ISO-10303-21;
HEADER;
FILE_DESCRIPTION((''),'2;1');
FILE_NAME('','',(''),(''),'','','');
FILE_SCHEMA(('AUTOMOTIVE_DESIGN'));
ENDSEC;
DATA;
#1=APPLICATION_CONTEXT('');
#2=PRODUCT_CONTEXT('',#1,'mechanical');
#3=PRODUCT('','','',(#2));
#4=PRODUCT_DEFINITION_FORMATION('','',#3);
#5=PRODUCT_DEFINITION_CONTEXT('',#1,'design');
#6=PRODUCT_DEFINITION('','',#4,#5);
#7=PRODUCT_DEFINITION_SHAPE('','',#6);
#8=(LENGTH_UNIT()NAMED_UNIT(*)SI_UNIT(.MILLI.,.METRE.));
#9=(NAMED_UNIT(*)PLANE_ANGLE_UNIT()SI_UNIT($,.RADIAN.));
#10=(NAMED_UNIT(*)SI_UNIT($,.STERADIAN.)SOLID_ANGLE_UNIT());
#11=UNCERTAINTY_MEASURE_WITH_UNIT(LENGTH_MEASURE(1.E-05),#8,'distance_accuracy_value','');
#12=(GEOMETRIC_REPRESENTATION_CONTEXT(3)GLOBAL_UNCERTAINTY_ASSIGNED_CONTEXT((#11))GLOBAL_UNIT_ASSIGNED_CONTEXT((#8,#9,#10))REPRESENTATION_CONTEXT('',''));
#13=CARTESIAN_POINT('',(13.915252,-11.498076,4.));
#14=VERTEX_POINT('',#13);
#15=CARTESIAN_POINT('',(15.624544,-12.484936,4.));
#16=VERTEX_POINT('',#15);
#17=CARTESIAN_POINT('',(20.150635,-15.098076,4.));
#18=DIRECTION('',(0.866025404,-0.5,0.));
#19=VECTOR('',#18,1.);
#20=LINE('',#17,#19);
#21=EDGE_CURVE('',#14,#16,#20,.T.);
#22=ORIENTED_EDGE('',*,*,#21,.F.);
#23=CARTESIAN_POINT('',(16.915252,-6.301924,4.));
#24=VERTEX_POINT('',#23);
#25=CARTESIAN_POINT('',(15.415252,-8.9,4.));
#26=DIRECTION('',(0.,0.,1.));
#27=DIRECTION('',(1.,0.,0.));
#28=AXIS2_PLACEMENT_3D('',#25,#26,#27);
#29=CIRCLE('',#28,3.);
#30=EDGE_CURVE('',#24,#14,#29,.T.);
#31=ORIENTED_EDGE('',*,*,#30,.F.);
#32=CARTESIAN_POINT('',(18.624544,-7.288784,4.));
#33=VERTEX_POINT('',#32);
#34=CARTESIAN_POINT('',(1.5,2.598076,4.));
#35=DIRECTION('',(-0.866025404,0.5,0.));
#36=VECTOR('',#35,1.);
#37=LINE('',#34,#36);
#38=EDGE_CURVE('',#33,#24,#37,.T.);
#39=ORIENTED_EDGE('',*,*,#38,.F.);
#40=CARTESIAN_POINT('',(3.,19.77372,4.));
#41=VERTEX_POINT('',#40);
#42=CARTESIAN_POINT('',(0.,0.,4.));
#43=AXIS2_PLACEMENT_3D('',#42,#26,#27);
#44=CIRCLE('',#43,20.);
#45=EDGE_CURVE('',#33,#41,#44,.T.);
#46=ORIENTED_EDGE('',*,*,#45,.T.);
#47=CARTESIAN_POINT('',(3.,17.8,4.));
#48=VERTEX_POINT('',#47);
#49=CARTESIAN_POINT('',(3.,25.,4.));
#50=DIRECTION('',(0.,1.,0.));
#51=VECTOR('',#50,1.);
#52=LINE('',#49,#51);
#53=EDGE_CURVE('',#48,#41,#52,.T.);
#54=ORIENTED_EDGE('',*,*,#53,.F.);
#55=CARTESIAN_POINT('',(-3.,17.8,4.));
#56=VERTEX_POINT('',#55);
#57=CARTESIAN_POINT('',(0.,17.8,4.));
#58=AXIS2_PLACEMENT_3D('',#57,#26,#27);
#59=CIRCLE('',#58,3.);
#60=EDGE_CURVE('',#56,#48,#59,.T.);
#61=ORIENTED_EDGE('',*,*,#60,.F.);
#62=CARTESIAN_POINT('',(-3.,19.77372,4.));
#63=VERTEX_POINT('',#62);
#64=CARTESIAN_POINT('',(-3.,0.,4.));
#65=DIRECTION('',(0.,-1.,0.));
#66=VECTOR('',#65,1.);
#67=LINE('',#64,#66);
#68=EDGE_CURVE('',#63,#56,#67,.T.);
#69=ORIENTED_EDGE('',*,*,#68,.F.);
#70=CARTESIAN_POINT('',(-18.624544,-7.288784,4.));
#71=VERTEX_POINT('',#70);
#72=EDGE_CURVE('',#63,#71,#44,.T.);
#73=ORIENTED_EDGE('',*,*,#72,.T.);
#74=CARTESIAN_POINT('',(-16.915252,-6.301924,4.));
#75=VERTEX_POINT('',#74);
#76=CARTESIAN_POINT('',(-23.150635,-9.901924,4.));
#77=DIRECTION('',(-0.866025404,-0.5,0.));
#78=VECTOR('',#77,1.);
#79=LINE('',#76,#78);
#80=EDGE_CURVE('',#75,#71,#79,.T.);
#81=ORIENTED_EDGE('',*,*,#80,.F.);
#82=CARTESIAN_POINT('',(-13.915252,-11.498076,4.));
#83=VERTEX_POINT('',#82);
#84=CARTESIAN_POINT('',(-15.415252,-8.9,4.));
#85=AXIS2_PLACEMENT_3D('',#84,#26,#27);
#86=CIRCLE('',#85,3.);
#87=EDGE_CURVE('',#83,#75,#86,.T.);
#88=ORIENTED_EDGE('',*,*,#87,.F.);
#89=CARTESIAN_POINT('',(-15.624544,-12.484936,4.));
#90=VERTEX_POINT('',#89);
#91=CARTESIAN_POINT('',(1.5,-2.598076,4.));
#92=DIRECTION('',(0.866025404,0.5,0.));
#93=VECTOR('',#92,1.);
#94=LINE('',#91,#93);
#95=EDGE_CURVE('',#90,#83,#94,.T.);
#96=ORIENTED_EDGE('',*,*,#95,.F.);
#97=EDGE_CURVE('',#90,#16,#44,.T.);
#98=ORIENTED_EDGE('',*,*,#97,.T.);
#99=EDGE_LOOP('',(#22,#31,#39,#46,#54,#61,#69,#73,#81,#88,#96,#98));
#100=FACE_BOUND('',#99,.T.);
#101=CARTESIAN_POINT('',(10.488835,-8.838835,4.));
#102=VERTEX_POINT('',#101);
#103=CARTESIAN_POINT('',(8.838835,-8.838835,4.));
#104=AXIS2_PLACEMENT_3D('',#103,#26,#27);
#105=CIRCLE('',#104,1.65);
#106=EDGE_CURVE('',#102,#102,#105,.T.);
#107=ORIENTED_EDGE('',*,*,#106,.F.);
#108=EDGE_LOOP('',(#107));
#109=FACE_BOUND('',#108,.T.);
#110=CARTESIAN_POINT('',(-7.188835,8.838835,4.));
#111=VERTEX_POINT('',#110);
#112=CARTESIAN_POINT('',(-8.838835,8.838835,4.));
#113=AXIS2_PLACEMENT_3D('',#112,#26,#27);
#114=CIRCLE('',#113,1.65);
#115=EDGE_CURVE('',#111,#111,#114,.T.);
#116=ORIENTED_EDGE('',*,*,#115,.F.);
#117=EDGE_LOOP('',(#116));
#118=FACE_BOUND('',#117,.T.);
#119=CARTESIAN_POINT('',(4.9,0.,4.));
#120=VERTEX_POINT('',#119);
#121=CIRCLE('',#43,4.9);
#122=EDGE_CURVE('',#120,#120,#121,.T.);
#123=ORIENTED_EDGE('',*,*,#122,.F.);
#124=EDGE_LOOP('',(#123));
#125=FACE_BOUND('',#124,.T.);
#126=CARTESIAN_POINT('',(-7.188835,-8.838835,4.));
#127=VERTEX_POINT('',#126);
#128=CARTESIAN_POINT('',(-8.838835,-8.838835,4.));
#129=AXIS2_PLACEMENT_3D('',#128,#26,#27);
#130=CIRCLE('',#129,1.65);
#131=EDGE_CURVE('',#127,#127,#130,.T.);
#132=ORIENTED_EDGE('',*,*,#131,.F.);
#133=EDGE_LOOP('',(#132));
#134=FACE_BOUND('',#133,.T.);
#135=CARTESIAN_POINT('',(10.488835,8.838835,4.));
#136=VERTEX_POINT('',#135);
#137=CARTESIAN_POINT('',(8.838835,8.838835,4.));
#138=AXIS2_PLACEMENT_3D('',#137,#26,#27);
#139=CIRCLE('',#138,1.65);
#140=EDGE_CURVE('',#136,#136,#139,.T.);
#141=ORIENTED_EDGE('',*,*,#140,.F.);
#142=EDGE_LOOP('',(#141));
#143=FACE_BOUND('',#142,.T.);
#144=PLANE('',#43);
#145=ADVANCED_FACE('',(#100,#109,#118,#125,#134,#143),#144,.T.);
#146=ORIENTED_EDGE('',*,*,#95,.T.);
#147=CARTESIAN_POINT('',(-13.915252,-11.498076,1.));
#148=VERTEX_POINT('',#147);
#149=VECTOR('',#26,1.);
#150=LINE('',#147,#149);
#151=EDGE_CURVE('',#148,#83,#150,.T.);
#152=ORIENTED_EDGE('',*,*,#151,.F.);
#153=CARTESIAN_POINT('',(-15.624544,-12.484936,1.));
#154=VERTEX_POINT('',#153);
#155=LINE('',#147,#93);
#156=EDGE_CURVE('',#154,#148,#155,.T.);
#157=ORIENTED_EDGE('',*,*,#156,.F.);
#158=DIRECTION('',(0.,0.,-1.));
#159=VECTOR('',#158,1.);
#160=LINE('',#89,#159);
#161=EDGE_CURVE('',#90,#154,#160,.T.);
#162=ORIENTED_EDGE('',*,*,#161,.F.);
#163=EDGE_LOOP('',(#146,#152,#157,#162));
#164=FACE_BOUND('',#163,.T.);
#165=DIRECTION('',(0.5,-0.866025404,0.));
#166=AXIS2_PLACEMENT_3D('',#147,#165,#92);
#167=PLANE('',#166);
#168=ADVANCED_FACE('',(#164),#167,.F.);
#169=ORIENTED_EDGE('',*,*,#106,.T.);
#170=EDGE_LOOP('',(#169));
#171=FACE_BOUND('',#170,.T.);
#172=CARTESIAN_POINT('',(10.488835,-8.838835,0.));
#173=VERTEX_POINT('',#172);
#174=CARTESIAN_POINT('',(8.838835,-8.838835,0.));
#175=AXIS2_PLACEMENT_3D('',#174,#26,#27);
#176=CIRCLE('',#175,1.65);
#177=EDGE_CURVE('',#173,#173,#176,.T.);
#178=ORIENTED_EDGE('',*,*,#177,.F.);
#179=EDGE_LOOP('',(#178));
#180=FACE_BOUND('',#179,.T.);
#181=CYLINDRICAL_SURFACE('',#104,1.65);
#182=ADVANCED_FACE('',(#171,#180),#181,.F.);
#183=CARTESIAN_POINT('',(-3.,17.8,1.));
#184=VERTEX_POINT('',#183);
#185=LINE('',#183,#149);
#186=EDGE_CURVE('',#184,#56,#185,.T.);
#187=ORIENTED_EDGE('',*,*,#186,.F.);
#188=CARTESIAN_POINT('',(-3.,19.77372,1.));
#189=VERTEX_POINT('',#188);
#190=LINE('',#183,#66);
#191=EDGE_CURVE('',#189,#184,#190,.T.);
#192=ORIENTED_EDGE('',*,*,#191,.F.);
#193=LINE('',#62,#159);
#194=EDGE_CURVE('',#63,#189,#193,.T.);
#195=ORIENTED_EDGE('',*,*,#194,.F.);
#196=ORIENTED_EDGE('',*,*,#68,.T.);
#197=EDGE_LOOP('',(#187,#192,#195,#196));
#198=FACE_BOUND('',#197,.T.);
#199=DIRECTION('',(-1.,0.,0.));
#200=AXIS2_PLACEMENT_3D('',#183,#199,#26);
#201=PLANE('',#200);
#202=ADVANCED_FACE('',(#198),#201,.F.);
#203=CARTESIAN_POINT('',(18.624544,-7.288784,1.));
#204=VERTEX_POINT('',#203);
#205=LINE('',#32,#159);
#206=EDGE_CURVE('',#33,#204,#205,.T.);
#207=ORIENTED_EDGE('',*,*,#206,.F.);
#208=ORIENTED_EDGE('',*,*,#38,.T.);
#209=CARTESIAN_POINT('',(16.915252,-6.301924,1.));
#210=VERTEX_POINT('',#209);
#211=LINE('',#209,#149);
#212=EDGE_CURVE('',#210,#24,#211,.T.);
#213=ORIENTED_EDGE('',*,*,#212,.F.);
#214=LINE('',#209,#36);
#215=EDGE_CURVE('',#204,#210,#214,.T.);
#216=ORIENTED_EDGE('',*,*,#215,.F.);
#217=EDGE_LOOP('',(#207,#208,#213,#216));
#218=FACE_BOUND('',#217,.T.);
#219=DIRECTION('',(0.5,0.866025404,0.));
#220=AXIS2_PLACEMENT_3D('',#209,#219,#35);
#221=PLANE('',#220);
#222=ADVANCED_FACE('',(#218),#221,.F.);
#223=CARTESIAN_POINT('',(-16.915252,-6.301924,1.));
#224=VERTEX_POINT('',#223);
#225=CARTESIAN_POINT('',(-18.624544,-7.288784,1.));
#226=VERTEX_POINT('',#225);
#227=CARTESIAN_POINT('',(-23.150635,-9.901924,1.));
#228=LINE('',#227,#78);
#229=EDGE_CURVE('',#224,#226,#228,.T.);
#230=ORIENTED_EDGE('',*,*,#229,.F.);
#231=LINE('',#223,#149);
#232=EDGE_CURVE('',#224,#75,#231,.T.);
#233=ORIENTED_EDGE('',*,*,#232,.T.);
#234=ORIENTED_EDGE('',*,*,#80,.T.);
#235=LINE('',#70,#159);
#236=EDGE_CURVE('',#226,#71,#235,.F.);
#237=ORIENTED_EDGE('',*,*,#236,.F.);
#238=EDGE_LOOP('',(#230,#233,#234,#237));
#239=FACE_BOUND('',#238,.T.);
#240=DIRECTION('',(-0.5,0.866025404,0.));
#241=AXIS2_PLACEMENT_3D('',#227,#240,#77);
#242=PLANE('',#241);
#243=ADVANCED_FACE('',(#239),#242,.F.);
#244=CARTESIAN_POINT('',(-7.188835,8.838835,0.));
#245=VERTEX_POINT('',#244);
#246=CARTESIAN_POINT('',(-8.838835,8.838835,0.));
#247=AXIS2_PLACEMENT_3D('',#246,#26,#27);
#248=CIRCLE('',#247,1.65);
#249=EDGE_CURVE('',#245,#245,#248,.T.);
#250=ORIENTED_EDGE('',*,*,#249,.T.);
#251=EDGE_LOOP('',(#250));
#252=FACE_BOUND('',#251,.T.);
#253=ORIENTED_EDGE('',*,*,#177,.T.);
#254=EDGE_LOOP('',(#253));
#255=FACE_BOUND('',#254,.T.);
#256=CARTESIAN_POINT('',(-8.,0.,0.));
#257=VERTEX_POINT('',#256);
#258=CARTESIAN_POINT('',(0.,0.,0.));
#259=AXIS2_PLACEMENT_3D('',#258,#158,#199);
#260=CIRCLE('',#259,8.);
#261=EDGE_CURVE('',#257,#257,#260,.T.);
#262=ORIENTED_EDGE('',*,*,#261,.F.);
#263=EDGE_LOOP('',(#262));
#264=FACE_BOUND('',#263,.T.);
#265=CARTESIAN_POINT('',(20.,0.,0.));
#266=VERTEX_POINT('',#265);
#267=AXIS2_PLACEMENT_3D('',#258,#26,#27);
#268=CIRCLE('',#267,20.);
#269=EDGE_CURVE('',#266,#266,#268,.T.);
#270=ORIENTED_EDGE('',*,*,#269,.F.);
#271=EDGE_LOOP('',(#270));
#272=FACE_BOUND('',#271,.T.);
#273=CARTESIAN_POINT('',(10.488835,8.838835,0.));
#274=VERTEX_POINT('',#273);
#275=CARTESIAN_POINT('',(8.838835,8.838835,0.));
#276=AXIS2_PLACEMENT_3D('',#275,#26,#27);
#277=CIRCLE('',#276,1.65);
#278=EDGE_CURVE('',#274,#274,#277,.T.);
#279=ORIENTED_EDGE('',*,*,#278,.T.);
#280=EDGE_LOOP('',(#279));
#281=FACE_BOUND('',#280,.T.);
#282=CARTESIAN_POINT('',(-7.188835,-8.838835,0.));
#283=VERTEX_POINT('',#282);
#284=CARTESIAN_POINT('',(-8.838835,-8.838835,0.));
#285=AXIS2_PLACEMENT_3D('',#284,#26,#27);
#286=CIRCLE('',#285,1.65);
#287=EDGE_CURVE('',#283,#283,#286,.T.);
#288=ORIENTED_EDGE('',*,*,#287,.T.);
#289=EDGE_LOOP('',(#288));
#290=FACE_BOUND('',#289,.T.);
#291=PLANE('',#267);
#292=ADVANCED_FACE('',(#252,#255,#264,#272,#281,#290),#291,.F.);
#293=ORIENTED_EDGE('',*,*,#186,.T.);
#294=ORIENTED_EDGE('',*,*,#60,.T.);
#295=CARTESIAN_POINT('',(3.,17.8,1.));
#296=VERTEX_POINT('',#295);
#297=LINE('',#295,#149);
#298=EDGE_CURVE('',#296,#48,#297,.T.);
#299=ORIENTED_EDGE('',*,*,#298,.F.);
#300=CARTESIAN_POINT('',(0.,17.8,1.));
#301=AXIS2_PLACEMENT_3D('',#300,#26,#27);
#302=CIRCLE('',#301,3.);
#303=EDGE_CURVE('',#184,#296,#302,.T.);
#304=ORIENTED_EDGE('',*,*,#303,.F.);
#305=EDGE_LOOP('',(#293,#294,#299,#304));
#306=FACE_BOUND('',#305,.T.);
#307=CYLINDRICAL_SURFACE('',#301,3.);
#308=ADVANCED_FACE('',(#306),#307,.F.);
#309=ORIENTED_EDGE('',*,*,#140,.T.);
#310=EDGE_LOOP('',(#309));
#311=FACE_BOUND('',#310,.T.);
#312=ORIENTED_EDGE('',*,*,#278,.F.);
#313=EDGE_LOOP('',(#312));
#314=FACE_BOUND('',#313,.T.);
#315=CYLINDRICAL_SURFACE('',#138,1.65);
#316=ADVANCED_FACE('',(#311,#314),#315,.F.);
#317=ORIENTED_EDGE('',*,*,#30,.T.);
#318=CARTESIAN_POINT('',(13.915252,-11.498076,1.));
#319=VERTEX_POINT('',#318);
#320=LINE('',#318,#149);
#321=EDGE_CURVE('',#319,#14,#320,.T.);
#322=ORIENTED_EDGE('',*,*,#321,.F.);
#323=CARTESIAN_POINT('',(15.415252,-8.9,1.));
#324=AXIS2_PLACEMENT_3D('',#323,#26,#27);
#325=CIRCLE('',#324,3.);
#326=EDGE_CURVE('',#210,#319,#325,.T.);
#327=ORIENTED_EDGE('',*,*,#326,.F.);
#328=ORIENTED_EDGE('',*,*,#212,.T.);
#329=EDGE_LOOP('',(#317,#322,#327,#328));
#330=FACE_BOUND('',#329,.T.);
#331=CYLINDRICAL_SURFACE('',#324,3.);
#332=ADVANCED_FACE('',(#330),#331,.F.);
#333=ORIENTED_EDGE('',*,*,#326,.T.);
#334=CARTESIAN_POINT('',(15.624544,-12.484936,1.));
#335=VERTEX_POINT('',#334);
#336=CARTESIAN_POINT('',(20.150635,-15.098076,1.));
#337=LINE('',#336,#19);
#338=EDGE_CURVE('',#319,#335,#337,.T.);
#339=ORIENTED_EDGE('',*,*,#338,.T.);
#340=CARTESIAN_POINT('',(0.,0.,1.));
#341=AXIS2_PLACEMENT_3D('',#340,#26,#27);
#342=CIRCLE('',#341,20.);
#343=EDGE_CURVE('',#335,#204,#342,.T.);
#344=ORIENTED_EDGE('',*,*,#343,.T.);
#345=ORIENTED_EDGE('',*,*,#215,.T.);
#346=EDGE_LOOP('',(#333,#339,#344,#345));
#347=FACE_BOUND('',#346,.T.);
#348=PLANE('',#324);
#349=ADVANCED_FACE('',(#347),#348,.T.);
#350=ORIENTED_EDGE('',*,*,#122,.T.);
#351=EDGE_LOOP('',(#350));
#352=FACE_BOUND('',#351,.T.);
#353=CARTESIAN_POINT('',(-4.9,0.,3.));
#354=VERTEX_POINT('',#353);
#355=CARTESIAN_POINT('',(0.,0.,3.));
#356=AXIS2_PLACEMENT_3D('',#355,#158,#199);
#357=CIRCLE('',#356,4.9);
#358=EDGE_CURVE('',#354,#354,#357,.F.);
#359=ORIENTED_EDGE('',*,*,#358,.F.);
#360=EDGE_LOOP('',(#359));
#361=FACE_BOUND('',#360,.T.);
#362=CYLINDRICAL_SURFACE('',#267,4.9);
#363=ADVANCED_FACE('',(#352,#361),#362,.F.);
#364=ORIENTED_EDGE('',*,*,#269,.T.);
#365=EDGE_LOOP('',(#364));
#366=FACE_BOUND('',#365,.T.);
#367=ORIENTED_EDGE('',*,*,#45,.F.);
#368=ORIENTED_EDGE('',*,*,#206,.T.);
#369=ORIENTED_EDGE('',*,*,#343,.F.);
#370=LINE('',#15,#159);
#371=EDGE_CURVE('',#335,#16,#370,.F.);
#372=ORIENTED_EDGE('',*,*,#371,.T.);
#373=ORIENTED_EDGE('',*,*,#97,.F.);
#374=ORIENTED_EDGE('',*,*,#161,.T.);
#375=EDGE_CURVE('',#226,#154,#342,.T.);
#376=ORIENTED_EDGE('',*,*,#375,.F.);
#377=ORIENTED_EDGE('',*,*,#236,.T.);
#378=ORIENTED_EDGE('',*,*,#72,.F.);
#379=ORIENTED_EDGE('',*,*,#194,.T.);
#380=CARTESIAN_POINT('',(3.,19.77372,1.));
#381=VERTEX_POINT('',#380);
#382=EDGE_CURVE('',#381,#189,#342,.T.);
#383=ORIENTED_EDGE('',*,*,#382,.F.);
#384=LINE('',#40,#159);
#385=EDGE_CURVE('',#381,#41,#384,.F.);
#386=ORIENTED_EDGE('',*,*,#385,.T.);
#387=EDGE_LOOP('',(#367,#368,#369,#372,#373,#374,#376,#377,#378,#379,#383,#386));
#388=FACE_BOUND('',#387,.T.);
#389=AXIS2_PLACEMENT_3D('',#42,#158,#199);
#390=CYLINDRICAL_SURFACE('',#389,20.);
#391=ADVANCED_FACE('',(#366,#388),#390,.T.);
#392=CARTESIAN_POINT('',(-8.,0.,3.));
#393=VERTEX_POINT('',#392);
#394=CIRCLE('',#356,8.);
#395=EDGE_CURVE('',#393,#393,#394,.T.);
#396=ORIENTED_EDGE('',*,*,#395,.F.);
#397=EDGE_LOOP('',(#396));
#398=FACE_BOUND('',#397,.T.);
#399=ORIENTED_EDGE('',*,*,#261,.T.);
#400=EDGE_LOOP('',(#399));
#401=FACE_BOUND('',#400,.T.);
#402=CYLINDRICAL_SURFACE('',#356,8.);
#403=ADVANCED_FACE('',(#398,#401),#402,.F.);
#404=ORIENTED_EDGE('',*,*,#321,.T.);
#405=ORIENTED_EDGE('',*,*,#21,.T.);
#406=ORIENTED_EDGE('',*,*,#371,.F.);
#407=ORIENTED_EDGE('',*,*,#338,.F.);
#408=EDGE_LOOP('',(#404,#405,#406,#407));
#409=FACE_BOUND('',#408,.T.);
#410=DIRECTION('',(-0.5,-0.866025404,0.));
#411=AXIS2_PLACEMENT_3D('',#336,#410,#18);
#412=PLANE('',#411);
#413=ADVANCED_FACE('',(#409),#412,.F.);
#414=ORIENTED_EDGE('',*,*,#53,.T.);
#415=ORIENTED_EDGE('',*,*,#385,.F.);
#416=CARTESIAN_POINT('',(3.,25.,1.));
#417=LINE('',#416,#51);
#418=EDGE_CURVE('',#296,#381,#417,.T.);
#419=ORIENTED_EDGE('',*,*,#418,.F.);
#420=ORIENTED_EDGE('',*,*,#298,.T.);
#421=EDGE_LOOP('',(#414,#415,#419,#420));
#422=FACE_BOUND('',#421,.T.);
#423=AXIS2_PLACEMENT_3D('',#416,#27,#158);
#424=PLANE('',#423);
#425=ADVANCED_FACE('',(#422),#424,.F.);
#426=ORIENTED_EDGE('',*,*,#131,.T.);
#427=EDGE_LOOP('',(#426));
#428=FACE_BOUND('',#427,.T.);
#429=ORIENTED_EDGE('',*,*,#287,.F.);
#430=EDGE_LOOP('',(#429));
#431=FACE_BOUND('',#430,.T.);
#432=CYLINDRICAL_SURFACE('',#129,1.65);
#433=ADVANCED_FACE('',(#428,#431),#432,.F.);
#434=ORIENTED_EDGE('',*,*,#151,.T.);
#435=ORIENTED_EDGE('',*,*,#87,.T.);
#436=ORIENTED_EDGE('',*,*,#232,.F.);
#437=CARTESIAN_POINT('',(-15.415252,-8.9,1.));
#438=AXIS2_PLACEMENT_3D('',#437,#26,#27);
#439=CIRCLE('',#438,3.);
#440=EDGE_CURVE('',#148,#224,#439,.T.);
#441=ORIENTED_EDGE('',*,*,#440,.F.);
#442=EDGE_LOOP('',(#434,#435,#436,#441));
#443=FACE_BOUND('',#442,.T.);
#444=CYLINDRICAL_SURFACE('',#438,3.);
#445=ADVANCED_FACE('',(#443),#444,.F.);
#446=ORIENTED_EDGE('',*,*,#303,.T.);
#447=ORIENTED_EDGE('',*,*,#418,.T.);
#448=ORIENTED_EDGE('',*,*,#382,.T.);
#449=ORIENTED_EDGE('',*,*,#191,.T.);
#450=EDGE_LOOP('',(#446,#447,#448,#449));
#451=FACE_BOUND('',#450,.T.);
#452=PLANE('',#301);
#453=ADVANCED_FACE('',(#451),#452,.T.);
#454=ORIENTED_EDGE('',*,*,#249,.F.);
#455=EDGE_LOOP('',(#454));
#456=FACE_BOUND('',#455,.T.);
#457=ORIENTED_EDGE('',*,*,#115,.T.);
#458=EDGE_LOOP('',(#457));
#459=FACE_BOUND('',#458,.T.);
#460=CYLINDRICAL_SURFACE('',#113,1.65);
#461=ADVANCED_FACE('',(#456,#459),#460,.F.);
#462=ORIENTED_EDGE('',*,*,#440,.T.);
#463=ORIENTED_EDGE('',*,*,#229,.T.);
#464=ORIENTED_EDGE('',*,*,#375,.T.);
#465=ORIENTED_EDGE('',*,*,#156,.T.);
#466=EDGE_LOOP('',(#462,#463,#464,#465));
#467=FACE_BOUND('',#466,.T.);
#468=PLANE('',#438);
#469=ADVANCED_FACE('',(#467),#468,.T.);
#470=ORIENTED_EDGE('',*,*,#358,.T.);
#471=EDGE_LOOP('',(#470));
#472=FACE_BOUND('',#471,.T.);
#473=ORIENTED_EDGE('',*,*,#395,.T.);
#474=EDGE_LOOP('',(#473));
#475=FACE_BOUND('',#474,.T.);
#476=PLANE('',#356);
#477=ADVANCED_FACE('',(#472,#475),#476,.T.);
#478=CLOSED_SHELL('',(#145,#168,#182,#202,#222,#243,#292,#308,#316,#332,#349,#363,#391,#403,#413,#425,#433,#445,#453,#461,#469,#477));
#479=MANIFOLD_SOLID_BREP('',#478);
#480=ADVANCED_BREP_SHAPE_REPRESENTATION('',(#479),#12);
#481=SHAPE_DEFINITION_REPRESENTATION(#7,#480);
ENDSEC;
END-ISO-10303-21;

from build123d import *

# Parameters (mm, degrees)
SKETCH1_R             = 20
BOSS_EXTRUDE1_DEPTH   = 4
CUT_EXTRUDE1_DEPTH    = 3
M4X0_7_TAPPED_HOLE1_D = 3.3
SKETCH5_R             = 4.9
CUT_EXTRUDE2_DEPTH    = 5
SKETCH6_R             = 8
CUT_EXTRUDE3_DEPTH    = 3


with BuildPart() as part:
    # Sketch1 → Boss-Extrude1 (new body)
    with BuildSketch(Plane.XY):
        Circle(SKETCH1_R)
    extrude(amount=BOSS_EXTRUDE1_DEPTH)

    # Sketch2 → Cut-Extrude1 (cut)
    with BuildSketch(Plane.XY.offset(4)):
        with BuildLine():
            Line((-3, 17.8), (-3, 25))
            Line((-3, 25), (3, 25))
            Line((3, 25), (3, 17.8))
            ThreePointArc((3, 17.8), (0, 14.8), (-3, 17.8))
        make_face()
        with BuildLine():
            Line((16.915252187, -6.301923789), (23.150635095, -9.901923789))
            Line((23.150635095, -9.901923789), (20.150635095, -15.098076211))
            Line((20.150635095, -15.098076211), (13.915252187, -11.498076211))
            ThreePointArc((13.915252187, -11.498076211), (12.817175976, -7.4), (16.915252187, -6.301923789))
        make_face()
        with BuildLine():
            Line((-13.915252187, -11.498076211), (-20.150635095, -15.098076211))
            Line((-20.150635095, -15.098076211), (-23.150635095, -9.901923789))
            Line((-23.150635095, -9.901923789), (-16.915252187, -6.301923789))
            ThreePointArc((-16.915252187, -6.301923789), (-12.817175976, -7.4), (-13.915252187, -11.498076211))
        make_face()
    extrude(amount=-CUT_EXTRUDE1_DEPTH, mode=Mode.SUBTRACT)

    # M4x0.7 Tapped Hole1 (through all)
    with Locations(Plane.XY.offset(4)):
        with Locations((-8.838834765, 8.838834765), (8.838834765, 8.838834765), (8.838834765, -8.838834765), (-8.838834765, -8.838834765)):
            Hole(M4X0_7_TAPPED_HOLE1_D / 2)

    # Sketch5 → Cut-Extrude2 (cut, through all)
    with BuildSketch(Plane.XY.offset(4)):
        Circle(SKETCH5_R)
    extrude(amount=-CUT_EXTRUDE2_DEPTH, mode=Mode.SUBTRACT)

    # Sketch6 → Cut-Extrude3 (cut)
    with BuildSketch(Plane(origin=(0, 0, 0), x_dir=(-1, 0, 0), z_dir=(0, 0, -1))):
        Circle(SKETCH6_R)
    extrude(amount=-CUT_EXTRUDE3_DEPTH, mode=Mode.SUBTRACT)


solid = part.part
